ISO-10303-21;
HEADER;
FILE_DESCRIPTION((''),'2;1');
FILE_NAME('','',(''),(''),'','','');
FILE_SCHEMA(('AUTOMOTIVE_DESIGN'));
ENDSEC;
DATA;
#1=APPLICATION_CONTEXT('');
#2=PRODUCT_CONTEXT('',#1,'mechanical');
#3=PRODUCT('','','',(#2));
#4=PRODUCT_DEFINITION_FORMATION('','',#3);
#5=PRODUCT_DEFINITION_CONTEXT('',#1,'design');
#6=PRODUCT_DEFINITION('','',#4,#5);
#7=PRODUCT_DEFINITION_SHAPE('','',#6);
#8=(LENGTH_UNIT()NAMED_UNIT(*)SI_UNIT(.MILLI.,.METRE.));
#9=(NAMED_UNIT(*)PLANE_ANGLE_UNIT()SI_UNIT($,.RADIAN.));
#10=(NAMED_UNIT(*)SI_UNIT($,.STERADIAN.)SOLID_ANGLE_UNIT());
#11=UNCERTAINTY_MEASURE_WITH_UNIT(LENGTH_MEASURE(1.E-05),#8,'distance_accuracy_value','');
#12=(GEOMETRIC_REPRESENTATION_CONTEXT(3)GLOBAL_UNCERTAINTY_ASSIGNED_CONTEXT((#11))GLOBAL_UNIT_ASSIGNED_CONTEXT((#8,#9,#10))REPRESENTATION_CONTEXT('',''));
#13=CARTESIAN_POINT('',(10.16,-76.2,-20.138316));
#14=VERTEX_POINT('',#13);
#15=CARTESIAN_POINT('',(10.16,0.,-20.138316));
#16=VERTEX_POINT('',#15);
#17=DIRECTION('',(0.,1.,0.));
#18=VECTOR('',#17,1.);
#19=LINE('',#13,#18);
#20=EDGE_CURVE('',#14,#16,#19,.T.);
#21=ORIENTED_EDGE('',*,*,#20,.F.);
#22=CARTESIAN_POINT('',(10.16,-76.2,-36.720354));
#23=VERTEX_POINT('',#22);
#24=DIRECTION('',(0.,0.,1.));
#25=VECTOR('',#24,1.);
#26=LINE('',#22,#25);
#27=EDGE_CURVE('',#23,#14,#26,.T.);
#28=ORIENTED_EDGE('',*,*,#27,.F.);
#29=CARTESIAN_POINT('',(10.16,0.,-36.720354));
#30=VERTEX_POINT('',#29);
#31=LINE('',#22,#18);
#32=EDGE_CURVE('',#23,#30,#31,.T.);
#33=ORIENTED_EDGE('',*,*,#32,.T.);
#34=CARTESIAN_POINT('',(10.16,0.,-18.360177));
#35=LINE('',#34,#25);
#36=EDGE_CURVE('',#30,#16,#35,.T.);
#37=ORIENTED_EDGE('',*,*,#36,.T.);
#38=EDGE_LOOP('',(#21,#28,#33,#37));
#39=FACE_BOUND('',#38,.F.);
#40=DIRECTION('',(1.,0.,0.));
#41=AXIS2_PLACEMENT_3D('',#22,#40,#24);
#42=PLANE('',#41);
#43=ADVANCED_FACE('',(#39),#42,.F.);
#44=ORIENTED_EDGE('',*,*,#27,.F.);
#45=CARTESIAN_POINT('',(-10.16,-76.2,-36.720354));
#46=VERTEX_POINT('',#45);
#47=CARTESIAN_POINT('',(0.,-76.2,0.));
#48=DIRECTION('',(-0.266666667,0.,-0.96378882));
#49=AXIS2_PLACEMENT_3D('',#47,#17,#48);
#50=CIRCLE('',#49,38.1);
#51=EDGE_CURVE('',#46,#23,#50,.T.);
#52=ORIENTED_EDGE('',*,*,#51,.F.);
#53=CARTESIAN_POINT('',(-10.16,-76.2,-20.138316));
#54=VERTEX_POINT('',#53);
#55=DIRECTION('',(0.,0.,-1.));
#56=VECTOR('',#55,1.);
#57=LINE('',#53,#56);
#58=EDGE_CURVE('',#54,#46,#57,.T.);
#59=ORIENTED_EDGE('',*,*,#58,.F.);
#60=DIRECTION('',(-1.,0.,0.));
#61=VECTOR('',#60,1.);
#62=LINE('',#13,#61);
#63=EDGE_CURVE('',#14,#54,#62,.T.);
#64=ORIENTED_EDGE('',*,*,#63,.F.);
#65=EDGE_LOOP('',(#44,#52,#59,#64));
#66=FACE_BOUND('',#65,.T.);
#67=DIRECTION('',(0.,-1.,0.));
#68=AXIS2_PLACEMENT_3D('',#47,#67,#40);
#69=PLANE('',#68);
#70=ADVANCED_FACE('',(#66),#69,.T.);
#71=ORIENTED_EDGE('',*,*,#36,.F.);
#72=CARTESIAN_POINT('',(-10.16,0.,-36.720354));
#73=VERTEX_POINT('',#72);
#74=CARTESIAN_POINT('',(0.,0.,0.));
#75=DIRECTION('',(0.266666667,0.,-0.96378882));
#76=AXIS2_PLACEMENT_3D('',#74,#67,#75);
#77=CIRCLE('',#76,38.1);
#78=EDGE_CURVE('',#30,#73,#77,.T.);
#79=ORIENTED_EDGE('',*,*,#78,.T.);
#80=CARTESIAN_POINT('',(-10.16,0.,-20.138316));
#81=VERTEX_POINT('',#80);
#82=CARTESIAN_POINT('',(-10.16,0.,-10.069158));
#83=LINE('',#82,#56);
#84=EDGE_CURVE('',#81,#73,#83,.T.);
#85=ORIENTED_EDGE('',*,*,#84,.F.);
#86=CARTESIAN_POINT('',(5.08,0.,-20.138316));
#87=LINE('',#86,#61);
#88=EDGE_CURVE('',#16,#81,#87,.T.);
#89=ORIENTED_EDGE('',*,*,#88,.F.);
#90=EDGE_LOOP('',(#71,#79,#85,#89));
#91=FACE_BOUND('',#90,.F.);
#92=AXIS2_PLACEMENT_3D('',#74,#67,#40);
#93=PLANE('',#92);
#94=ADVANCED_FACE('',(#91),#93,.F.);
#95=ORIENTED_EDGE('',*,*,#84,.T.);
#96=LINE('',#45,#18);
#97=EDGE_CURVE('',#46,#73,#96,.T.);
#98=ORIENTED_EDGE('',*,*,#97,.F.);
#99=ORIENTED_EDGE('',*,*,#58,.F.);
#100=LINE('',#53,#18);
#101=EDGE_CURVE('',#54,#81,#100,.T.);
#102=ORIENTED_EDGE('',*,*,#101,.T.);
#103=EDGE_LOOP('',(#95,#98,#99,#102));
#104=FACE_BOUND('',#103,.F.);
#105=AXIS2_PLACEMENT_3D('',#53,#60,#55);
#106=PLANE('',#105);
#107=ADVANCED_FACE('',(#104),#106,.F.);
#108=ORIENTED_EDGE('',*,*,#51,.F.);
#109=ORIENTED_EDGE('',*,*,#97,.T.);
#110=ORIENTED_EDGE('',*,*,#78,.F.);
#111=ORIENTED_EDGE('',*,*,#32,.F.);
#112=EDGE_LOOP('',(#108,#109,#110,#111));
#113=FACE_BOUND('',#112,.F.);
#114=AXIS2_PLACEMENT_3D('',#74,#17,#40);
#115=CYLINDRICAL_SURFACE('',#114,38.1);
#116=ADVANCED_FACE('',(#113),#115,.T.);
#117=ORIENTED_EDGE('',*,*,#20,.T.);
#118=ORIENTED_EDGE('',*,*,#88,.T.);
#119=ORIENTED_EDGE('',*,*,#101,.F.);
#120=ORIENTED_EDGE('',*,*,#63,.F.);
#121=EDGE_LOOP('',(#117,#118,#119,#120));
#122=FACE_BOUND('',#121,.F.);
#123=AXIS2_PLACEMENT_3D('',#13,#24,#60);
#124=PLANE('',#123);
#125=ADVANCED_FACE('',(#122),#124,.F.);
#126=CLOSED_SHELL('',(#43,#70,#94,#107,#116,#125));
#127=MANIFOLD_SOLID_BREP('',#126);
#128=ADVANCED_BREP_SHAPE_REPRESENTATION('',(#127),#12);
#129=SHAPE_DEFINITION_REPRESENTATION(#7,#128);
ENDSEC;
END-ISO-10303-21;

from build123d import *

# Parameters (mm, degrees)
F0_R     = 38.1
F1_DEPTH = 76.2
F3_DEPTH = 76.201


with BuildPart() as f1:
    # F0 (on Front) → F1 (new body)
    with BuildSketch(Plane.XZ):
        Circle(F0_R)
    extrude(amount=F1_DEPTH)

    # F2 (on face) → F3 (cut, through all)
    with BuildSketch(Plane.XZ.offset(76.2)):
        with BuildLine():
            Line((-10.16, -20.138316), (-10.16, -36.720354))
            ThreePointArc((-10.16, -36.720354), (0, -38.1), (10.16, -36.720354))
            Line((10.16, -36.720354), (10.16, -20.138316))
            Line((10.16, -20.138316), (-10.16, -20.138316))
        make_face()
    extrude(amount=-F3_DEPTH, mode=Mode.SUBTRACT)


solid = f1.part
